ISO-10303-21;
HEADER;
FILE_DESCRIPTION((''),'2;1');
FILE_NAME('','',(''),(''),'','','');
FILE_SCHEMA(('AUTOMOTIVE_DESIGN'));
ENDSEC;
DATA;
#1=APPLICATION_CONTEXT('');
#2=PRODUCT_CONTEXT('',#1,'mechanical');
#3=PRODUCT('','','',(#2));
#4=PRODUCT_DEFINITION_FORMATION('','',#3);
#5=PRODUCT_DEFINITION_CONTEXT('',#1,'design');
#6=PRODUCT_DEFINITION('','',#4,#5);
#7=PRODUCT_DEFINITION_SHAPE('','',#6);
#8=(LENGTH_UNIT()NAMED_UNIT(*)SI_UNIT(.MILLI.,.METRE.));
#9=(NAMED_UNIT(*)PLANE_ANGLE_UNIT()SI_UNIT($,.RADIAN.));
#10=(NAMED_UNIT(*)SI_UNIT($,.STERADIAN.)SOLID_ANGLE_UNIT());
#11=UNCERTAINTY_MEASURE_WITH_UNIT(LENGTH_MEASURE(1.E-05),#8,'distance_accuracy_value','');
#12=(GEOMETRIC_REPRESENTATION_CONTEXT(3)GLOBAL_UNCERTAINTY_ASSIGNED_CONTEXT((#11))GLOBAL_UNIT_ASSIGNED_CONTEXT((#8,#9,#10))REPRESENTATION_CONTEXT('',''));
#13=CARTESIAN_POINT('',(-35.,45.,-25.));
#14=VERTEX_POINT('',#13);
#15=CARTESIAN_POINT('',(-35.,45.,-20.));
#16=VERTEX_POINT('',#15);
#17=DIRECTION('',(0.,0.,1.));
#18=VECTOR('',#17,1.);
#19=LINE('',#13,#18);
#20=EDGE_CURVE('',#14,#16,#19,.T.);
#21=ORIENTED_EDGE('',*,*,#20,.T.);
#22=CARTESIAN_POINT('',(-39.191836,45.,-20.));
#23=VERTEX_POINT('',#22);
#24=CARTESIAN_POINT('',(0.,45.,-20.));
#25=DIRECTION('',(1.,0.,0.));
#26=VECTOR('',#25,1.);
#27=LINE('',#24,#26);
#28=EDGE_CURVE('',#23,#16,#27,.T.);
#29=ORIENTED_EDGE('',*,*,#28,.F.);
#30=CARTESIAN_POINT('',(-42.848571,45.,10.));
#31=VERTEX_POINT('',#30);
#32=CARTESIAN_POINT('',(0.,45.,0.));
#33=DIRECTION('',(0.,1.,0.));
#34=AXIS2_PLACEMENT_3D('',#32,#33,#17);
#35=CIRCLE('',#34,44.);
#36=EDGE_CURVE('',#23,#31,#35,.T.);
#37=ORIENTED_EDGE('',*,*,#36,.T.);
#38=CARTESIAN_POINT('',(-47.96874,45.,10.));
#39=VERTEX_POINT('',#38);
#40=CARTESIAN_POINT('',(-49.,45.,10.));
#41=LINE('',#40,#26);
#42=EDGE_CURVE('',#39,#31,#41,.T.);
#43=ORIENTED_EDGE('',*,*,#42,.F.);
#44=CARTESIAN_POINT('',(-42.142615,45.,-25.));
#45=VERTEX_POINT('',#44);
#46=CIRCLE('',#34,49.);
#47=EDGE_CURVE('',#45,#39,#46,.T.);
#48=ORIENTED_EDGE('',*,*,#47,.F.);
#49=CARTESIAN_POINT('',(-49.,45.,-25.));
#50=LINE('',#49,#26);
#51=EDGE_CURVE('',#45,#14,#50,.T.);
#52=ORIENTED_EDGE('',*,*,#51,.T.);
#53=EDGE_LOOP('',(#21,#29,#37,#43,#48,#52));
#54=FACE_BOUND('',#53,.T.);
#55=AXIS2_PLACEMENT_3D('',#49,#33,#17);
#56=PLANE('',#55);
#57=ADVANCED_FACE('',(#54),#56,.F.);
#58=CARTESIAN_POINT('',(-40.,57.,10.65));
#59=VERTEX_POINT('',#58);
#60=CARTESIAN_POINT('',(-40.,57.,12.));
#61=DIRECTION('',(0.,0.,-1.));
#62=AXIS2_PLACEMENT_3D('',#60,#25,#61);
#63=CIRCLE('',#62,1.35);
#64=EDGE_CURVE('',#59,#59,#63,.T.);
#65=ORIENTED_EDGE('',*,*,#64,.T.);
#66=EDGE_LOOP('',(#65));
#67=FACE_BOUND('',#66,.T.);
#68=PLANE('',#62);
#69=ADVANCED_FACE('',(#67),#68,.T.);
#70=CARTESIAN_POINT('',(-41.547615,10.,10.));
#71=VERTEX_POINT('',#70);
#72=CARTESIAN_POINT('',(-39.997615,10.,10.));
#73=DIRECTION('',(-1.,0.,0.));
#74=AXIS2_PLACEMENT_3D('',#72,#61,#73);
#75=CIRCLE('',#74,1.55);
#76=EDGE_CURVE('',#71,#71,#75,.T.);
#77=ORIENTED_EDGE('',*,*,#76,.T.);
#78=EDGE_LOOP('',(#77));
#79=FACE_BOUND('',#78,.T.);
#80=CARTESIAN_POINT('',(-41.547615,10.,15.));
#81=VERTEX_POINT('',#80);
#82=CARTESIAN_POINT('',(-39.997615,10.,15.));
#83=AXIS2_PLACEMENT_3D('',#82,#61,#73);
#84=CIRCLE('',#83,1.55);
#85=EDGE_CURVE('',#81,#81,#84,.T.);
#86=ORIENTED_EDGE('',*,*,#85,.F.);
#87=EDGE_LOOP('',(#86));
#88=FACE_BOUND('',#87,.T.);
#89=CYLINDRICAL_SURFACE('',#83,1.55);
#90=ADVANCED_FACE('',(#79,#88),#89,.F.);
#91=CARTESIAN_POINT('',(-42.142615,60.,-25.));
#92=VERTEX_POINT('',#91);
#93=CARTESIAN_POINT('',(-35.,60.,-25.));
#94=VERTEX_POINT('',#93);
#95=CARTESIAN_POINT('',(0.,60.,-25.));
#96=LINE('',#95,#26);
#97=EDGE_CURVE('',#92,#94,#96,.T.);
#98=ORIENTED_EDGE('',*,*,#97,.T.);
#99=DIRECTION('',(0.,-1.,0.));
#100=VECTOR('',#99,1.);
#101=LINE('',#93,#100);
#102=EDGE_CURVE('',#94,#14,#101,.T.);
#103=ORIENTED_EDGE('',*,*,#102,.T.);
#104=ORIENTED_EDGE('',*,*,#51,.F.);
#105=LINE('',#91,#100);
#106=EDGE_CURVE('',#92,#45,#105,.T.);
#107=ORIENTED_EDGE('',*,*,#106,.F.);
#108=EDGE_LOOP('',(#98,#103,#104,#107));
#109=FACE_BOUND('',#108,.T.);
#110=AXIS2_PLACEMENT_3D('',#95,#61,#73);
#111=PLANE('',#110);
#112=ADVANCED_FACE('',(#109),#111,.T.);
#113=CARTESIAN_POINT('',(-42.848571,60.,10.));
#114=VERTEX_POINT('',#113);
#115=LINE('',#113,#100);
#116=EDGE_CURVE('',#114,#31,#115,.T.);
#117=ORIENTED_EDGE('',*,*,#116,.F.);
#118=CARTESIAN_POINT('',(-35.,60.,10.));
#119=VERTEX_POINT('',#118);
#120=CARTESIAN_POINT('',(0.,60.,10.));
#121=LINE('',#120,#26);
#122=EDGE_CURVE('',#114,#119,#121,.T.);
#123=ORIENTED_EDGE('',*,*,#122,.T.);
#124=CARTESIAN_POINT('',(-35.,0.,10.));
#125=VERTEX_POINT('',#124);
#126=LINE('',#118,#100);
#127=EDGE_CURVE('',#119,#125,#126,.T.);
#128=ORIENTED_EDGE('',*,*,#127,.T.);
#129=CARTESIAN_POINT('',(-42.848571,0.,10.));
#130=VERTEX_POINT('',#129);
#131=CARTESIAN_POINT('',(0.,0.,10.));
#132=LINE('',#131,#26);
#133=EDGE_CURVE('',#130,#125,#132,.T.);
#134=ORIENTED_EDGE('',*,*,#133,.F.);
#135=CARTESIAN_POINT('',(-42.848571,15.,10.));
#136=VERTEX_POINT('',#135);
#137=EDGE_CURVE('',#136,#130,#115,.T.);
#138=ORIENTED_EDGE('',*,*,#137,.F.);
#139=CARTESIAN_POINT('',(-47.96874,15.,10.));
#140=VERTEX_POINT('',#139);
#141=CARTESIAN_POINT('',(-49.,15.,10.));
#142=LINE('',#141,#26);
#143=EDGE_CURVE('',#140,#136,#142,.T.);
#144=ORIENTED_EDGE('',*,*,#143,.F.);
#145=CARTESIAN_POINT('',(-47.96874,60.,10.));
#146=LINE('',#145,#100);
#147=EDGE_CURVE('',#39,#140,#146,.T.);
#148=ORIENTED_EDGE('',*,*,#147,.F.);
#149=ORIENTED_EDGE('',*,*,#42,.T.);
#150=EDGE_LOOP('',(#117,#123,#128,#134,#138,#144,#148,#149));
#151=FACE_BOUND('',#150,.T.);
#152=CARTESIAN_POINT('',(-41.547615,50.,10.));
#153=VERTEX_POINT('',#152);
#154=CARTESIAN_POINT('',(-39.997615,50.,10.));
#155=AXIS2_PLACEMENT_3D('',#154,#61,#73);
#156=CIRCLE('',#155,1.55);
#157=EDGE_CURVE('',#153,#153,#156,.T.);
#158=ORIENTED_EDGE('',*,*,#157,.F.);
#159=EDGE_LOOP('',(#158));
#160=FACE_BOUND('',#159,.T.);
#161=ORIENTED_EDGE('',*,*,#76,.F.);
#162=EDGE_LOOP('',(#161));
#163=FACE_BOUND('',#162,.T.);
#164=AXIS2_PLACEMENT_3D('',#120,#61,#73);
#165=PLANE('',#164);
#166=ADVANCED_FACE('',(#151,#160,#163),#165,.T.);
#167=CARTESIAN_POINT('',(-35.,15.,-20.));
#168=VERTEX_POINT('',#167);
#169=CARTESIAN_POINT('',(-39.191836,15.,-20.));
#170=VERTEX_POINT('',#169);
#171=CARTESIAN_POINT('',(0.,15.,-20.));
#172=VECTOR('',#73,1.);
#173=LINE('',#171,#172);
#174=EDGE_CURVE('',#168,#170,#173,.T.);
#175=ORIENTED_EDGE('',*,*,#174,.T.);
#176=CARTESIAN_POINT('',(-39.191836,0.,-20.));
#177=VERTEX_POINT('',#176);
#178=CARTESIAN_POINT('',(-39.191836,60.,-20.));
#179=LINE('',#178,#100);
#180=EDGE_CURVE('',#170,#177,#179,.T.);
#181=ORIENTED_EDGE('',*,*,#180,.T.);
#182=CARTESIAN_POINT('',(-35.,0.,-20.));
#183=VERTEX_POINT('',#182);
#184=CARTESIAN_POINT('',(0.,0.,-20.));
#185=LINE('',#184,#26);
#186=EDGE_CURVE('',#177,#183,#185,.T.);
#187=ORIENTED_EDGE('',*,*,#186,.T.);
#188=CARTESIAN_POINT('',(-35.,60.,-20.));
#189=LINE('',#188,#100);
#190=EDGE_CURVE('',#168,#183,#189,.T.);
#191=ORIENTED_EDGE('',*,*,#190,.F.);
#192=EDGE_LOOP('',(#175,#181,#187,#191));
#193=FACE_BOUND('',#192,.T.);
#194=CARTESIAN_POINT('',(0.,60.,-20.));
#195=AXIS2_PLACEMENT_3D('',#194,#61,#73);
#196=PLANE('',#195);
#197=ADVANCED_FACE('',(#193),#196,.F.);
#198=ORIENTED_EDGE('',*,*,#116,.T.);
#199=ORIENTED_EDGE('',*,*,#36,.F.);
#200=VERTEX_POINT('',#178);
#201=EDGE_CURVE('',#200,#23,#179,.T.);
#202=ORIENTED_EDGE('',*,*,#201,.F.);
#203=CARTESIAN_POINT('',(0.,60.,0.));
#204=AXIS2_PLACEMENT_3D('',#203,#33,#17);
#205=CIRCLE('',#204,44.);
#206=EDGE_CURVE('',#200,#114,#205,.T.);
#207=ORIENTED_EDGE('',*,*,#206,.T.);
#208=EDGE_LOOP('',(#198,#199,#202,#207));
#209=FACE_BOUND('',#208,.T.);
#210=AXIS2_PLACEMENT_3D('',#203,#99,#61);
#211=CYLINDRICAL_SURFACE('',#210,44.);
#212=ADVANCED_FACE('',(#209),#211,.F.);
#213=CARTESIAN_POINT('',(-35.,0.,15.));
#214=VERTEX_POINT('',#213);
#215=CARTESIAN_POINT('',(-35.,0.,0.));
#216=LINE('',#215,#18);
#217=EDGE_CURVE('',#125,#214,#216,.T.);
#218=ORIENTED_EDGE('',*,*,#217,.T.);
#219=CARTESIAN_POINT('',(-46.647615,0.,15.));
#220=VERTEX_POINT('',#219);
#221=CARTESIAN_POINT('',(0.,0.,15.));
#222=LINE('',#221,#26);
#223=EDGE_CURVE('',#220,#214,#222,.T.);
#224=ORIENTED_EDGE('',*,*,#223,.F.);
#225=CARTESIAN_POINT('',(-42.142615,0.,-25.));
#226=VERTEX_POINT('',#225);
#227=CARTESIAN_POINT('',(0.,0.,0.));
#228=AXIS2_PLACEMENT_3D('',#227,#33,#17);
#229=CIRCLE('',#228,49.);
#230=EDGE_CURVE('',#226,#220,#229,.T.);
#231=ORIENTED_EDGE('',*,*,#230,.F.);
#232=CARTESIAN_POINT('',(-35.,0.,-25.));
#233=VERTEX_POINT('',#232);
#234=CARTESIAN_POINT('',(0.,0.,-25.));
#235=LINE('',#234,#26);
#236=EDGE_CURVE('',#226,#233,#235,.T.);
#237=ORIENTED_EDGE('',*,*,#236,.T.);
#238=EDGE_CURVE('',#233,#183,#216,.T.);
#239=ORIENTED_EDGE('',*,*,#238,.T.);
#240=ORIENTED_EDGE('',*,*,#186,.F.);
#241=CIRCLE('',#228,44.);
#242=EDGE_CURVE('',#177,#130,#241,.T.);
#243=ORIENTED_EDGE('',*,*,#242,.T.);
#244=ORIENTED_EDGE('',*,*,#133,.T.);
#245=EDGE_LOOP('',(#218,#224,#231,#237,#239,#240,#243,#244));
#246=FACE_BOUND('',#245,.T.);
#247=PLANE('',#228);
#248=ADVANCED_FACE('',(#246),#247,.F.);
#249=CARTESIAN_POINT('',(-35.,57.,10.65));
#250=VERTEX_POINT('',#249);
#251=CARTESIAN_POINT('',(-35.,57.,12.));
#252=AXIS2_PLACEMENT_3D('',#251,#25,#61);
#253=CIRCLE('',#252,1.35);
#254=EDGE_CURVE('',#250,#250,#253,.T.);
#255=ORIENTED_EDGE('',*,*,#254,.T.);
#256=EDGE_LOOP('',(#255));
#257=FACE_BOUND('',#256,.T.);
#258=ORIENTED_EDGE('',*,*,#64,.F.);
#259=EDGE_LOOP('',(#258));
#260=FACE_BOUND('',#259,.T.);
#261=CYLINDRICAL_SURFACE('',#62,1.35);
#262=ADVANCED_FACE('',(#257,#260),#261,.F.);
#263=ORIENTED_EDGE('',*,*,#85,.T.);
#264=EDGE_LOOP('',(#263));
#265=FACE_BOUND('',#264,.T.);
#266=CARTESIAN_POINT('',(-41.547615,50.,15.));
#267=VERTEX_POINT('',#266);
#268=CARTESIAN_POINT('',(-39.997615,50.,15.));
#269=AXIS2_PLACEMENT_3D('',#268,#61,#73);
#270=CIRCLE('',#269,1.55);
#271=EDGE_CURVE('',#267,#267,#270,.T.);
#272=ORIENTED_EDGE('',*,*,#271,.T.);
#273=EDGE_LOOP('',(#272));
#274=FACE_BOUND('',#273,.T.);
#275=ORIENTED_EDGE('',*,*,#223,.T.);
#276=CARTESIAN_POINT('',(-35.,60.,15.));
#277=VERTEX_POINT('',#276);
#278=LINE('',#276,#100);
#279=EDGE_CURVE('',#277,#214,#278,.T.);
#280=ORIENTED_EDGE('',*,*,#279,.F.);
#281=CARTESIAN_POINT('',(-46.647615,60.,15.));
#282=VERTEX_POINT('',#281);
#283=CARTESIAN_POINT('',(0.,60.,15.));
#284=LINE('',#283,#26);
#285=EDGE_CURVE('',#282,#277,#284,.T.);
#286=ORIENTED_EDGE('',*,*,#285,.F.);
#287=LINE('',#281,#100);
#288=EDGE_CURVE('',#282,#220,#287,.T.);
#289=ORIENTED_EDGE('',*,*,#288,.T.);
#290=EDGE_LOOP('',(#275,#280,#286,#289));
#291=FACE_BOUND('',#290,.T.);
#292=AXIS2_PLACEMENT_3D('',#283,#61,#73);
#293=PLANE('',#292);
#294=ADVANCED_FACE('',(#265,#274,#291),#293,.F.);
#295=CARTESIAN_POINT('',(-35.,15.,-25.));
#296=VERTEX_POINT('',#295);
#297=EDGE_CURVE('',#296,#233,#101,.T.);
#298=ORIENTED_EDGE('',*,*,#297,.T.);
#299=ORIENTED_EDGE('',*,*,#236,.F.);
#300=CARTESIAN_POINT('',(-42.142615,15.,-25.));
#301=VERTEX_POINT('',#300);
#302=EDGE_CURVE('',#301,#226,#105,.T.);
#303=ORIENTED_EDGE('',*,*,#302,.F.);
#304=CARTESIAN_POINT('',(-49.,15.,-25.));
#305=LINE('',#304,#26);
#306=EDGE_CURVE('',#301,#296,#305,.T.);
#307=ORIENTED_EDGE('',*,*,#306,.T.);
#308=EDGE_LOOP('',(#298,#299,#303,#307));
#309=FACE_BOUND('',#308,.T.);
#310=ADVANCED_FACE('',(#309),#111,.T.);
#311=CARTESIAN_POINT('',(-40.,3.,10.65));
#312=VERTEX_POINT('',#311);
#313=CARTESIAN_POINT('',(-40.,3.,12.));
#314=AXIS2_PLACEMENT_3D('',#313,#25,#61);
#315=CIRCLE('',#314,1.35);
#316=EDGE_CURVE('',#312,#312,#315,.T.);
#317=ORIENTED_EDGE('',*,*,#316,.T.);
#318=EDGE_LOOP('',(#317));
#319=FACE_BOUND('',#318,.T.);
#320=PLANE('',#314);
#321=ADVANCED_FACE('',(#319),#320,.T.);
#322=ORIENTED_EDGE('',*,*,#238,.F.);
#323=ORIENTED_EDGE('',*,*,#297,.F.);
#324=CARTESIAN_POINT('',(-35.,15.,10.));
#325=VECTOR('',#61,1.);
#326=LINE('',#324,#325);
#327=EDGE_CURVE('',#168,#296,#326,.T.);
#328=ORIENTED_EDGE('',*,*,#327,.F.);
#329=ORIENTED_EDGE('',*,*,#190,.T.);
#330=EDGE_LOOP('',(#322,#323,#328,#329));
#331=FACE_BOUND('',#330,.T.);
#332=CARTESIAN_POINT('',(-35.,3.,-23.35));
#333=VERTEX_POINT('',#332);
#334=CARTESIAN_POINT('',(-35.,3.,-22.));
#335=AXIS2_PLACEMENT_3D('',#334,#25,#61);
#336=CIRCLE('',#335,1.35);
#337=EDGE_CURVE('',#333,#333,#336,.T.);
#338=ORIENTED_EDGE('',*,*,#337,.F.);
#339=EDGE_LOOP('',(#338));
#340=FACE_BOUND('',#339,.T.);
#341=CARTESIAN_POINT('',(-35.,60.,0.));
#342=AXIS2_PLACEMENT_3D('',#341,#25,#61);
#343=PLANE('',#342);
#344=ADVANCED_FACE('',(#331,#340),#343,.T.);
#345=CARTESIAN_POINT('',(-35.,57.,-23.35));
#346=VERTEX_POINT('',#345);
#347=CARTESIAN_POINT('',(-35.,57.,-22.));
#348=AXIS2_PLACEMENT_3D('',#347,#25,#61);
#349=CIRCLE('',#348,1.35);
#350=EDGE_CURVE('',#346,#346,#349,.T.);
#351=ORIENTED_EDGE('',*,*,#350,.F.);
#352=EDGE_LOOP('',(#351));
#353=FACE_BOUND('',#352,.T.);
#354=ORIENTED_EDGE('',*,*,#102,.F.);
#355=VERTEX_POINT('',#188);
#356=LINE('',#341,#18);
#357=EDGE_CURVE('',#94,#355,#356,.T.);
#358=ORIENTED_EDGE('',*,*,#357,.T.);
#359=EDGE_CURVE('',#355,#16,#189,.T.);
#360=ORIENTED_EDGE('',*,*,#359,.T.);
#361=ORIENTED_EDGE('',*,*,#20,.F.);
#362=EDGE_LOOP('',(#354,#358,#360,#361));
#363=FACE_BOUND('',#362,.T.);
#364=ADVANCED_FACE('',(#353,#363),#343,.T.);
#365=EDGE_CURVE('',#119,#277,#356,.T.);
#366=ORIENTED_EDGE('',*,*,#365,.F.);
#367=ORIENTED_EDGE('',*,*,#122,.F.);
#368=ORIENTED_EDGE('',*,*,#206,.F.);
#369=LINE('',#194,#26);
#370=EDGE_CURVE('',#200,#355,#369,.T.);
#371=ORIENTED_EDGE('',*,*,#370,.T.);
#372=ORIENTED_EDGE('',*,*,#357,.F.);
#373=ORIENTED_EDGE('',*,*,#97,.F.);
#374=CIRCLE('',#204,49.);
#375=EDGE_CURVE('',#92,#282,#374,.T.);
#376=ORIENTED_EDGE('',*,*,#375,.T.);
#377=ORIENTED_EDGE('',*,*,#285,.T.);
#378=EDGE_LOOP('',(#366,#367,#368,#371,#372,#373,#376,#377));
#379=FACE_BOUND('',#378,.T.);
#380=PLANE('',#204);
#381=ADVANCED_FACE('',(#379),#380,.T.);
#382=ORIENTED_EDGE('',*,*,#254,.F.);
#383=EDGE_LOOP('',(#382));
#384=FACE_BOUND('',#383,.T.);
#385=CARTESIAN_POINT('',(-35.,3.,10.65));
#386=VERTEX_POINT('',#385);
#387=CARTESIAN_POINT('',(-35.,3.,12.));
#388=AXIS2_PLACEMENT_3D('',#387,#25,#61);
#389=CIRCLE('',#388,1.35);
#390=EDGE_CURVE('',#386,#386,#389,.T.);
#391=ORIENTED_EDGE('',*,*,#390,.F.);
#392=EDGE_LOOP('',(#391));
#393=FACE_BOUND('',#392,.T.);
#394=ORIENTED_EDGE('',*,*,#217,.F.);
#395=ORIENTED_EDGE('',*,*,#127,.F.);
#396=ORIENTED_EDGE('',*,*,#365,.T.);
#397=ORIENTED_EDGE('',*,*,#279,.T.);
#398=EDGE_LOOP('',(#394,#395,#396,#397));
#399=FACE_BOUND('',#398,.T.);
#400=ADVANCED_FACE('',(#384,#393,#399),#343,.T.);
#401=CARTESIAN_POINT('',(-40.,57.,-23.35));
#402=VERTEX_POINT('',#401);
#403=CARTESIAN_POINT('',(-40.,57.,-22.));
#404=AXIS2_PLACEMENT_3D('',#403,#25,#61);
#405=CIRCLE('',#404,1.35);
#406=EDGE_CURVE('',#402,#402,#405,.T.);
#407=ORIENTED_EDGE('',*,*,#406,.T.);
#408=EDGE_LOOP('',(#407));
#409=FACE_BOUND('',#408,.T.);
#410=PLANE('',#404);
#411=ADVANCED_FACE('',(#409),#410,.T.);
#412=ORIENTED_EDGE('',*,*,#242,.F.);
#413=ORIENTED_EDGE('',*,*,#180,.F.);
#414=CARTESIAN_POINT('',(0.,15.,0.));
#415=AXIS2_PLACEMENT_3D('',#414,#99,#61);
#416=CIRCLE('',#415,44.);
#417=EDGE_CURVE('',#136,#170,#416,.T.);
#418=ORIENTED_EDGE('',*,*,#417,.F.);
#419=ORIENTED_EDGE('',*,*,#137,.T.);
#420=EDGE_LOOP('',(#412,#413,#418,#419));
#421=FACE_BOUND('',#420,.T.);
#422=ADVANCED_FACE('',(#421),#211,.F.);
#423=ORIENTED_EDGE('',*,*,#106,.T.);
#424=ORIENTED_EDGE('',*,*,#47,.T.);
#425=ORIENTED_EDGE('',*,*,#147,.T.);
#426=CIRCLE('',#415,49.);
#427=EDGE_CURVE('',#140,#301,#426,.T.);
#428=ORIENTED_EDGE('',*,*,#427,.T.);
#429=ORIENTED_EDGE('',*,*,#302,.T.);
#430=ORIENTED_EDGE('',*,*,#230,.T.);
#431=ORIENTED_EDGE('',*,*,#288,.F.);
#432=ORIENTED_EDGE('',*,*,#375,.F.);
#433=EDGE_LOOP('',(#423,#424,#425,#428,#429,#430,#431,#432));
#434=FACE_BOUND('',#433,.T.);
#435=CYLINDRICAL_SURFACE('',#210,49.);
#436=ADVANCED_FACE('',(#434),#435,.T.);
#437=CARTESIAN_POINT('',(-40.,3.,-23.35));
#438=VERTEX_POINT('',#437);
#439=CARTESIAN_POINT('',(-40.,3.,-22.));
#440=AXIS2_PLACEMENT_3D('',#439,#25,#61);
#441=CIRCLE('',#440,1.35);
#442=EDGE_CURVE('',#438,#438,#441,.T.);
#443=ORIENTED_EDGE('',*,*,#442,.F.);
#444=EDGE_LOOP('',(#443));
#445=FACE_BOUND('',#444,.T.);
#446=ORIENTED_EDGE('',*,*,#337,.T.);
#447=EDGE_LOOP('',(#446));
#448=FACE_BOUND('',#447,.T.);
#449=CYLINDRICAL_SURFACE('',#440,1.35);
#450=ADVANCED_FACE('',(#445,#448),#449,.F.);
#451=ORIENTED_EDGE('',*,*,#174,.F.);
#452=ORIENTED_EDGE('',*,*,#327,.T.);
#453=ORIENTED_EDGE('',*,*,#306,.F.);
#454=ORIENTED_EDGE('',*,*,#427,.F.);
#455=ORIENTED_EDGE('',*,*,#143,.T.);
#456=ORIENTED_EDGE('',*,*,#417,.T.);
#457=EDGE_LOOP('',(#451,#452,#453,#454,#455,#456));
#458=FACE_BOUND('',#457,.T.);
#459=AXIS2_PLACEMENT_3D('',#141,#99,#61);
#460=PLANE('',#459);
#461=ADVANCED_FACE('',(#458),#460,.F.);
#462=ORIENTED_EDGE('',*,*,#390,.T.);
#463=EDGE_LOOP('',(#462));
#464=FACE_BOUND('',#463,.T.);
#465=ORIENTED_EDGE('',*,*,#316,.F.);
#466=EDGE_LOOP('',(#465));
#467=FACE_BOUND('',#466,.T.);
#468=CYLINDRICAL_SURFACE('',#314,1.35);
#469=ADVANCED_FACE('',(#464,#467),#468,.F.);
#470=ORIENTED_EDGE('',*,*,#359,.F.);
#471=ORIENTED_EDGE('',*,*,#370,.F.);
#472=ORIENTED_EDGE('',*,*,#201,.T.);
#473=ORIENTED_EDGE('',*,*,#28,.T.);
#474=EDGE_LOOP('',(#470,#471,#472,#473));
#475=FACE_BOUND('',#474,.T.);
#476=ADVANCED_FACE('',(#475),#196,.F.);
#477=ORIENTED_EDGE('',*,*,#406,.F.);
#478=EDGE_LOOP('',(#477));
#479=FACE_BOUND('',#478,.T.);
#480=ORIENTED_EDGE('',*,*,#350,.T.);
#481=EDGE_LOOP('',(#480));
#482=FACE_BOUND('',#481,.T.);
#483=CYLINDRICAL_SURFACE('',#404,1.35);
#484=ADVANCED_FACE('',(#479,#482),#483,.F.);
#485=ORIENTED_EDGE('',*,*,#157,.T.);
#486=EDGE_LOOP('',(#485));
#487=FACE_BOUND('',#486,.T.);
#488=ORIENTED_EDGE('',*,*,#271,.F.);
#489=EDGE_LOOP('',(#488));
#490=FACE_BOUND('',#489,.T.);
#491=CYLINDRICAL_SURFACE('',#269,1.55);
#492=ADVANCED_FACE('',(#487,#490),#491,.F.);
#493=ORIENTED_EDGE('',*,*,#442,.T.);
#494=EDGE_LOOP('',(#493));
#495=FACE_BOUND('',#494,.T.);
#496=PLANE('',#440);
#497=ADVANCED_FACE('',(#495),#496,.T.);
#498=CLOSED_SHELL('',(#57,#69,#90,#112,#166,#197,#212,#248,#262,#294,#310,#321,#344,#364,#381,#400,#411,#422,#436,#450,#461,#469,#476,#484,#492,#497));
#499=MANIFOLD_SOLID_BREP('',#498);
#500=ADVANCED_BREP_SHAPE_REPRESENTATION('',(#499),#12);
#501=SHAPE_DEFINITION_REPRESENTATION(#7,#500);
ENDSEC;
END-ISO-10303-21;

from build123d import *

# Parameters (mm, degrees)
BOSS_EXTRUDE1_DEPTH = 60
SKETCH2_R           = 1.55
CUT_EXTRUDE1_DEPTH  = 6
SKETCH4_W           = 35
SKETCH4_H           = 30
CUT_EXTRUDE3_DEPTH  = 15
SKETCH5_R           = 1.35
CUT_EXTRUDE4_DEPTH  = 5


with BuildPart() as part:
    # Sketch1 → Boss-Extrude1 (new body)
    with BuildSketch(Plane(origin=(0, 0, 0), x_dir=(1, 0, 0), z_dir=(0, 1, 0))):
        with BuildLine():
            ThreePointArc((-42.142615011, 25), (-48.692157925, 5.483954466), (-46.647615159, -15))
            Line((-46.647615159, -15), (-41.36423576, -15))
            Line((-41.36423576, -15), (-35, -15))
            Line((-35, -15), (-35, -10))
            Line((-35, -10), (-42.848570571, -10))
            ThreePointArc((-42.848570571, -10), (-43.67673377, 5.323807579), (-39.191835885, 20))
            Line((-39.191835885, 20), (-35, 20))
            Line((-35, 20), (-35, 25))
            Line((-35, 25), (-36.20773398, 25))
            Line((-36.20773398, 25), (-42.142615011, 25))
        make_face()
    extrude(amount=BOSS_EXTRUDE1_DEPTH)

    # Sketch2 → Cut-Extrude1 (cut, through all)
    with BuildSketch(Plane(origin=(0, 0, 10), x_dir=(-1, 0, 0), z_dir=(0, 0, -1))):
        with Locations((39.997615159, 50)):
            Circle(SKETCH2_R)
        with Locations((39.997615159, 10)):
            Circle(SKETCH2_R)
    extrude(amount=-CUT_EXTRUDE1_DEPTH, mode=Mode.SUBTRACT)

    # Sketch4 → Cut-Extrude3 (cut, through all)
    with BuildSketch(Plane(origin=(-35, 0, 0), x_dir=(0, 0, -1), z_dir=(1, 0, 0))):
        with Locations((7.5, 30)):
            Rectangle(SKETCH4_W, SKETCH4_H)
    extrude(amount=-CUT_EXTRUDE3_DEPTH, mode=Mode.SUBTRACT)

    # Sketch5 → Cut-Extrude4 (cut)
    with BuildSketch(Plane(origin=(-35, 0, 0), x_dir=(0, 0, -1), z_dir=(1, 0, 0))):
        with Locations((-12, 57)):
            Circle(SKETCH5_R)
        with Locations((22, 57)):
            Circle(SKETCH5_R)
        with Locations((-12, 3)):
            Circle(SKETCH5_R)
        with Locations((22, 3)):
            Circle(SKETCH5_R)
    extrude(amount=-CUT_EXTRUDE4_DEPTH, mode=Mode.SUBTRACT)


solid = part.part
